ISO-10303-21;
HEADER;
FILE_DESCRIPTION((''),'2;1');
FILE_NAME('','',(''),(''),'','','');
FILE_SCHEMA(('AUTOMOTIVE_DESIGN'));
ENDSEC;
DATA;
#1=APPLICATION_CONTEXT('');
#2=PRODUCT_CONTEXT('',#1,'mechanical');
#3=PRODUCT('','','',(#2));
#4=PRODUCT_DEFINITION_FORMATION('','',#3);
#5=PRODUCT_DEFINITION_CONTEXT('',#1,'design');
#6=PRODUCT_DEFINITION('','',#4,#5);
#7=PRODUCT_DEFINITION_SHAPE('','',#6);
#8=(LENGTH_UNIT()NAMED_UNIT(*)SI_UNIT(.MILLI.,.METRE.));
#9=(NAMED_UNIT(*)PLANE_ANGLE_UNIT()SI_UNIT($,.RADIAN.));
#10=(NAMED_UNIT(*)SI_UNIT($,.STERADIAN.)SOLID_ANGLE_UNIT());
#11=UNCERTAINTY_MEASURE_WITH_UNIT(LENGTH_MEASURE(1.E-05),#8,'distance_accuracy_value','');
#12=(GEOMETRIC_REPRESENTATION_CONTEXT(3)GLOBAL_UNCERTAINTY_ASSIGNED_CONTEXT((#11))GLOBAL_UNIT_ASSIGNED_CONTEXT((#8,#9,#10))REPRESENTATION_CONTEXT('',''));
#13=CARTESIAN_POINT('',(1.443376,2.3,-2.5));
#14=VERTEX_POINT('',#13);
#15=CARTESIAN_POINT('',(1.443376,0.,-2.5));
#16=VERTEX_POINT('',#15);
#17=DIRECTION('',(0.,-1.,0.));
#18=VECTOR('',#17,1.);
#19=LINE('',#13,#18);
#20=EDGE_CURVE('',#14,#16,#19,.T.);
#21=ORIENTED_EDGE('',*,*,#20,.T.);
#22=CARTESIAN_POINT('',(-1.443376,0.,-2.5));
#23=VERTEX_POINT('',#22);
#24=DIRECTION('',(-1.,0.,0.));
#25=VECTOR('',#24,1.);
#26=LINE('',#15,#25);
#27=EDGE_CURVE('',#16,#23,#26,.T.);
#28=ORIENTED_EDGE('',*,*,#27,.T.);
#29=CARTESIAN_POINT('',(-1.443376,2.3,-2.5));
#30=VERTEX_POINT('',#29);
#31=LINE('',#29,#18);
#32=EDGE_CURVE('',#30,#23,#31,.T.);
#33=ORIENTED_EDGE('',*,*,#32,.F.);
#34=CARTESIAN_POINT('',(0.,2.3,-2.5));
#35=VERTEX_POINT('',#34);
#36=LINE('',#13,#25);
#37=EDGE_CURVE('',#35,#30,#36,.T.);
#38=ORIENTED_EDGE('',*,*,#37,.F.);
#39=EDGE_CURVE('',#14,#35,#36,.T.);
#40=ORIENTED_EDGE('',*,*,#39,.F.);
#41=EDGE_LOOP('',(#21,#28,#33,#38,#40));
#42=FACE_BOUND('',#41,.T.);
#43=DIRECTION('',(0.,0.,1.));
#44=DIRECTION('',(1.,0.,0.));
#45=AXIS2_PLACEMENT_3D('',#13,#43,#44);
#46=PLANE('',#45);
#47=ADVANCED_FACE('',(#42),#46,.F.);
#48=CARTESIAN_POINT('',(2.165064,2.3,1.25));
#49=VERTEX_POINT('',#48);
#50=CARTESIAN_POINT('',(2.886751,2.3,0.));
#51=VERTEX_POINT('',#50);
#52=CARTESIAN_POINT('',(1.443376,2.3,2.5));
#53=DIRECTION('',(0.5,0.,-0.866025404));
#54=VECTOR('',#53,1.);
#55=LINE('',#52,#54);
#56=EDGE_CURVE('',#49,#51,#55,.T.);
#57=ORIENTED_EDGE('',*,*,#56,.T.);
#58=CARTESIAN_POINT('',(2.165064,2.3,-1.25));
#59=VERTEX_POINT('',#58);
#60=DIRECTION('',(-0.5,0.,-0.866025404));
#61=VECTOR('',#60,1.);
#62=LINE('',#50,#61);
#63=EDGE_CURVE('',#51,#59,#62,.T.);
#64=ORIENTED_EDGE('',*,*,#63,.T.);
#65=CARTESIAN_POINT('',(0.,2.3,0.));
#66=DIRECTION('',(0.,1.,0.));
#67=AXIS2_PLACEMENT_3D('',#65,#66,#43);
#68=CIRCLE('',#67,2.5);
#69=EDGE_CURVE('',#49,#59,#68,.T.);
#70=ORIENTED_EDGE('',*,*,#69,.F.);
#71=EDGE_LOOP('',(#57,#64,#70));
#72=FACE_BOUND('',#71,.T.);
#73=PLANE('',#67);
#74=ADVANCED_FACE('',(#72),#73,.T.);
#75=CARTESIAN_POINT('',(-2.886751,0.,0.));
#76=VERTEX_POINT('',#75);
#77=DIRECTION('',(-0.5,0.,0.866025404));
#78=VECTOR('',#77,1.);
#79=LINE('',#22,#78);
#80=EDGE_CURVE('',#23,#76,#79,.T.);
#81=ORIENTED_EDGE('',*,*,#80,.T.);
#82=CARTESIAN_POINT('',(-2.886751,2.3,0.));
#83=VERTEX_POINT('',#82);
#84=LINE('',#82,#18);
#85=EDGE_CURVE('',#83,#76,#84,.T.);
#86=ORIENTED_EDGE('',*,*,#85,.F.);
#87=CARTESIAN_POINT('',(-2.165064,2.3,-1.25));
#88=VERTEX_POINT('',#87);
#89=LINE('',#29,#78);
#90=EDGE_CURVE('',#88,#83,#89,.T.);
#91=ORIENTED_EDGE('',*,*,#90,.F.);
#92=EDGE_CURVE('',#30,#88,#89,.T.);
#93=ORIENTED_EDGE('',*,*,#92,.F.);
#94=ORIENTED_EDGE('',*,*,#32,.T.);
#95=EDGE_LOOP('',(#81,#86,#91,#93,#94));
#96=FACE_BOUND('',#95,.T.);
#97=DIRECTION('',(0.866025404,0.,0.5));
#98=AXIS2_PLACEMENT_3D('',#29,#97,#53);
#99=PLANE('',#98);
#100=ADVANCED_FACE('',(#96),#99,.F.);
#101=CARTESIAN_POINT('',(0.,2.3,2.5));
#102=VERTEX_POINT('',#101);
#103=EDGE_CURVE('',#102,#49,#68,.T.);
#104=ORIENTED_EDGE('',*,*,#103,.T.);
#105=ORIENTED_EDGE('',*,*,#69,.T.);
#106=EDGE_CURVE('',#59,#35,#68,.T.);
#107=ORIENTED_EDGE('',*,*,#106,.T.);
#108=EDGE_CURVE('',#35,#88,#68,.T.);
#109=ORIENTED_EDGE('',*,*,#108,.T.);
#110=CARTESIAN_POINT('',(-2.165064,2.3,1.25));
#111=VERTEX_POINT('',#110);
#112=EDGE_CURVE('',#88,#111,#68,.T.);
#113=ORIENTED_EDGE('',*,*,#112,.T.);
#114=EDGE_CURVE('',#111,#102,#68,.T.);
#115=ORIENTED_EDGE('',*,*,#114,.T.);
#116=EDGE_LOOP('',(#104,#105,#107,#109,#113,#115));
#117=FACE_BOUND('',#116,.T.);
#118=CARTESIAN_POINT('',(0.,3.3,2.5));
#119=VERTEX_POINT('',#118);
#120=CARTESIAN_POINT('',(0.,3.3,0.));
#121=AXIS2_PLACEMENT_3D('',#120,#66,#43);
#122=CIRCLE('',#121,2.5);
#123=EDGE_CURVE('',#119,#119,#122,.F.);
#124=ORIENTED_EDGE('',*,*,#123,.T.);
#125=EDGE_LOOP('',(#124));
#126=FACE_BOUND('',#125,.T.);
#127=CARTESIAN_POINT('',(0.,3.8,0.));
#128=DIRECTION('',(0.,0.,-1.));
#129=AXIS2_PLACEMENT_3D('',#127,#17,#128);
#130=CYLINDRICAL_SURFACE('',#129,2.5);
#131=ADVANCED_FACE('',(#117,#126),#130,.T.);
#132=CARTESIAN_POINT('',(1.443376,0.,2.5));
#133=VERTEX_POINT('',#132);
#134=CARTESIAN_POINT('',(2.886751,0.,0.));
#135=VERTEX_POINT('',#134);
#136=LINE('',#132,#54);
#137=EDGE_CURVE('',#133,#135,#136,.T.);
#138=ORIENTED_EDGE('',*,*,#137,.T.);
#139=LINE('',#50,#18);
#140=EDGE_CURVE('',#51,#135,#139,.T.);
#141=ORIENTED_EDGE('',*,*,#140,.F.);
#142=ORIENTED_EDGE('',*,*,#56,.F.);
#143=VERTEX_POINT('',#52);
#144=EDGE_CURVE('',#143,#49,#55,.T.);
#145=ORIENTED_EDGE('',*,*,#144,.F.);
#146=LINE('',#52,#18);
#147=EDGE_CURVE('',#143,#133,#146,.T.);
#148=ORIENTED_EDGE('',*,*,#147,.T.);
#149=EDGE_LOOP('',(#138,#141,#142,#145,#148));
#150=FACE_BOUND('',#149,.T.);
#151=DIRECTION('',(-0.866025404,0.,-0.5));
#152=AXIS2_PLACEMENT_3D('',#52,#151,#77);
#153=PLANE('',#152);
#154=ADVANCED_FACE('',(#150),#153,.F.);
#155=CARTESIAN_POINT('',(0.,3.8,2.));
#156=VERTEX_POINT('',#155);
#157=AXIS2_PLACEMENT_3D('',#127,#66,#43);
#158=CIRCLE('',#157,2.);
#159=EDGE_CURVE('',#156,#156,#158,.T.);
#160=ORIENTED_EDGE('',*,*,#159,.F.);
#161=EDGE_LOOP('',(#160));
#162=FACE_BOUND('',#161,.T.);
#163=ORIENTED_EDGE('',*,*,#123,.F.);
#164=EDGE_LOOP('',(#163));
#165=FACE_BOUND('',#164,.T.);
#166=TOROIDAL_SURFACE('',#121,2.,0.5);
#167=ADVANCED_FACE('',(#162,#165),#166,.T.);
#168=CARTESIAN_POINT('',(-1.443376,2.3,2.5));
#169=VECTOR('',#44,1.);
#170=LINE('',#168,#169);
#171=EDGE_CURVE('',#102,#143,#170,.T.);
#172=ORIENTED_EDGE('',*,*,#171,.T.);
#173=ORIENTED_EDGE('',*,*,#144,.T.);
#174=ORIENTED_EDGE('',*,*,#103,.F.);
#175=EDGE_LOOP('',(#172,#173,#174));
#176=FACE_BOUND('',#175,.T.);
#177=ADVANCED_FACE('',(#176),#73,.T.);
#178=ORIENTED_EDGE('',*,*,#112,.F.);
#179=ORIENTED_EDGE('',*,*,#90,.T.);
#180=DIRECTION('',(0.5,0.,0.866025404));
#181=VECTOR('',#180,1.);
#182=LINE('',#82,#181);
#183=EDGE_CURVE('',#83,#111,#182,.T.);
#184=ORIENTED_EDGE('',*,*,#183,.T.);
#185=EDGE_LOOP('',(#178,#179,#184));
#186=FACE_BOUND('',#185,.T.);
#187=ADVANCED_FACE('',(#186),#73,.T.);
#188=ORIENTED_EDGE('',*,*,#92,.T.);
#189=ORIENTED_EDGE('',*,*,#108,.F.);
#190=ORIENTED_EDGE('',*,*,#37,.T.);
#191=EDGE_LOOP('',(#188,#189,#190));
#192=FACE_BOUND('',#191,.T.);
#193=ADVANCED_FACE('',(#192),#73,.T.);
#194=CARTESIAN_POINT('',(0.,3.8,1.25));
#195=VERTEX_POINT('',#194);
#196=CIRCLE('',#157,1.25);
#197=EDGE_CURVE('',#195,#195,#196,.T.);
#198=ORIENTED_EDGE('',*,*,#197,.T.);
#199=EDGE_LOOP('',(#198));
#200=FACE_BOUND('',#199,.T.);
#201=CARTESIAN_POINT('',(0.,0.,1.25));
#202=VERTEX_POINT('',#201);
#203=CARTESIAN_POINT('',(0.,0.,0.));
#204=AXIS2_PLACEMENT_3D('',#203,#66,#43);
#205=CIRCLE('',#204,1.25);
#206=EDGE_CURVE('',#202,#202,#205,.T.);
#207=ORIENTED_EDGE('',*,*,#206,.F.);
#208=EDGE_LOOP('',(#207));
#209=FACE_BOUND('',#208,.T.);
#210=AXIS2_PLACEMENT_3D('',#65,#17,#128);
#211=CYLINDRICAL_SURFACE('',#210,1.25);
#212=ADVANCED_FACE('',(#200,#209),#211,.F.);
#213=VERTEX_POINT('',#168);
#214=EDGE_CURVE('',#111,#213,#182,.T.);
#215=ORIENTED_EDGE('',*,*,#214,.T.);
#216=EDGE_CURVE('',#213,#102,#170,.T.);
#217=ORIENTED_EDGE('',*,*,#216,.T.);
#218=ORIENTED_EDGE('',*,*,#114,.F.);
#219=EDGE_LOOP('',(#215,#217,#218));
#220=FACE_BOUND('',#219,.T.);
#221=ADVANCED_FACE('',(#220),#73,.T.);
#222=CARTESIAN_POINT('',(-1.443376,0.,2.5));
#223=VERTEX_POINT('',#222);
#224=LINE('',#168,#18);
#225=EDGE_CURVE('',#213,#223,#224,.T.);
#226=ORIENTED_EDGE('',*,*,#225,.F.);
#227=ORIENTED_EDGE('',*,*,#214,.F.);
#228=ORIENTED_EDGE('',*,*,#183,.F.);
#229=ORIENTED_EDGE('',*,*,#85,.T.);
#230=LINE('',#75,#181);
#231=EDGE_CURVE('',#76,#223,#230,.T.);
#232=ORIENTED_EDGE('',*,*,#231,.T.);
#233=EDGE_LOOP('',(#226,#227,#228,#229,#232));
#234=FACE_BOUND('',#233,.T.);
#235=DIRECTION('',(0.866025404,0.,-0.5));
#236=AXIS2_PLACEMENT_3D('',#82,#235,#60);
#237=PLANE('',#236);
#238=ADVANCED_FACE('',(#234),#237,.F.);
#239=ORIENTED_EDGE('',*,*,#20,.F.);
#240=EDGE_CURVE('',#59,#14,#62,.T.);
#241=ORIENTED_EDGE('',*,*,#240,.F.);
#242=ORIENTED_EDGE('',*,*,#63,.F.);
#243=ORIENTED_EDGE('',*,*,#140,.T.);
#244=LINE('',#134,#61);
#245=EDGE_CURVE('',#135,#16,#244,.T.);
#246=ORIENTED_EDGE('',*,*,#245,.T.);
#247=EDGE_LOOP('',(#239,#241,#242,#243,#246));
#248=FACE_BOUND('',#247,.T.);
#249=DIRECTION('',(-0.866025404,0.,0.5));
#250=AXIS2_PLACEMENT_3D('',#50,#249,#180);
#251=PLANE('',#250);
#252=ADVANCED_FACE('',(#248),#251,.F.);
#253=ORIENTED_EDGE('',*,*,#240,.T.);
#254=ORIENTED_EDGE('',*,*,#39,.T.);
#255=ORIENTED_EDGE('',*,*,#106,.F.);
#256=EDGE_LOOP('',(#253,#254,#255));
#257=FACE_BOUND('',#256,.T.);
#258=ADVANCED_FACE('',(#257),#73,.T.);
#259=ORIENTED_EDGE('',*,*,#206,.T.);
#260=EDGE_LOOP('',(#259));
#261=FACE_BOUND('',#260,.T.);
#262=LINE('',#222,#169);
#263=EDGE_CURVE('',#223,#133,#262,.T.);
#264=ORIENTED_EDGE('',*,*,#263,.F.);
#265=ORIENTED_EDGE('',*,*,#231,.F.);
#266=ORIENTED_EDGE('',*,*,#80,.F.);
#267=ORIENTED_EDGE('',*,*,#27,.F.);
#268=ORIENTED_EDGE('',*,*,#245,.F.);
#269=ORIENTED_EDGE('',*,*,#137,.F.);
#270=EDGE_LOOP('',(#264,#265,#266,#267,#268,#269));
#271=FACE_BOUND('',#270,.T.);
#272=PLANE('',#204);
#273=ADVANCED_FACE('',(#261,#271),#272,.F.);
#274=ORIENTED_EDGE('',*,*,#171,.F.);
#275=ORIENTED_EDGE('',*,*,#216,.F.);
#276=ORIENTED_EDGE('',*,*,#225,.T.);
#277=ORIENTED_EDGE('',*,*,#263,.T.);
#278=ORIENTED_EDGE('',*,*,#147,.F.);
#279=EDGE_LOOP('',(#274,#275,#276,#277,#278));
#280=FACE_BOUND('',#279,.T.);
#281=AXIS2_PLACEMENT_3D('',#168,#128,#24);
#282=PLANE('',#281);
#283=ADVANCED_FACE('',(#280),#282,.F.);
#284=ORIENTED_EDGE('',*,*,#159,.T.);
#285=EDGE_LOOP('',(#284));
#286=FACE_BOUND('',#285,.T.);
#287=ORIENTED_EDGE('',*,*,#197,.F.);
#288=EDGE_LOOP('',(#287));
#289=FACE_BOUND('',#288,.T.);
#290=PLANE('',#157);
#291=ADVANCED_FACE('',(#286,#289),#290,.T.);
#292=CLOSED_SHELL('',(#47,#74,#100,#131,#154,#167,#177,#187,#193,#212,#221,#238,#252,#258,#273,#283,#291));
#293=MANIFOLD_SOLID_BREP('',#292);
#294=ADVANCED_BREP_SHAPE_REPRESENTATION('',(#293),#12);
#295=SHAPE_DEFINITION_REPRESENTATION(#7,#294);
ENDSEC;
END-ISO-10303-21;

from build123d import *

# Parameters (mm, degrees)
ESQUISSE1_R        = 1.25
BOSS_EXTRU_1_DEPTH = 2.3
ESQUISSE2_R        = 2.5
ESQUISSE2_R_2      = 1.25
BOSS_EXTRU_2_DEPTH = 1.5
CONG_1_R           = 0.5


with BuildPart() as part:
    # Esquisse1 → Boss.-Extru.1 (new body)
    with BuildSketch(Plane(origin=(0, 0, 0), x_dir=(1, 0, 0), z_dir=(0, 1, 0))):
        Polygon((2.886751346, 0), (1.443375673, 2.5), (-1.443375673, 2.5), (-2.886751346, 0), (-1.443375673, -2.5), (1.443375673, -2.5), align=None)
        with Locations(Location((0, 0, 0), (0, 0, 270))):
            Circle(ESQUISSE1_R, mode=Mode.SUBTRACT)
    extrude(amount=BOSS_EXTRU_1_DEPTH)

    # Esquisse2 → Boss.-Extru.2 (add)
    with BuildSketch(Plane(origin=(0, 2.3, 0), x_dir=(1, 0, 0), z_dir=(0, 1, 0))):
        with Locations(Location((0, 0, 0), (0, 0, 270))):
            Circle(ESQUISSE2_R)
        with Locations(Location((0, 0, 0), (0, 0, 270))):
            Circle(ESQUISSE2_R_2, mode=Mode.SUBTRACT)
    extrude(amount=BOSS_EXTRU_2_DEPTH)

    # Congé1
    cong_1_edges = [part.edges().sort_by_distance(p)[0] for p in [
        (0, 3.8, -2.5),
    ]]
    fillet(cong_1_edges, radius=CONG_1_R)


solid = part.part
